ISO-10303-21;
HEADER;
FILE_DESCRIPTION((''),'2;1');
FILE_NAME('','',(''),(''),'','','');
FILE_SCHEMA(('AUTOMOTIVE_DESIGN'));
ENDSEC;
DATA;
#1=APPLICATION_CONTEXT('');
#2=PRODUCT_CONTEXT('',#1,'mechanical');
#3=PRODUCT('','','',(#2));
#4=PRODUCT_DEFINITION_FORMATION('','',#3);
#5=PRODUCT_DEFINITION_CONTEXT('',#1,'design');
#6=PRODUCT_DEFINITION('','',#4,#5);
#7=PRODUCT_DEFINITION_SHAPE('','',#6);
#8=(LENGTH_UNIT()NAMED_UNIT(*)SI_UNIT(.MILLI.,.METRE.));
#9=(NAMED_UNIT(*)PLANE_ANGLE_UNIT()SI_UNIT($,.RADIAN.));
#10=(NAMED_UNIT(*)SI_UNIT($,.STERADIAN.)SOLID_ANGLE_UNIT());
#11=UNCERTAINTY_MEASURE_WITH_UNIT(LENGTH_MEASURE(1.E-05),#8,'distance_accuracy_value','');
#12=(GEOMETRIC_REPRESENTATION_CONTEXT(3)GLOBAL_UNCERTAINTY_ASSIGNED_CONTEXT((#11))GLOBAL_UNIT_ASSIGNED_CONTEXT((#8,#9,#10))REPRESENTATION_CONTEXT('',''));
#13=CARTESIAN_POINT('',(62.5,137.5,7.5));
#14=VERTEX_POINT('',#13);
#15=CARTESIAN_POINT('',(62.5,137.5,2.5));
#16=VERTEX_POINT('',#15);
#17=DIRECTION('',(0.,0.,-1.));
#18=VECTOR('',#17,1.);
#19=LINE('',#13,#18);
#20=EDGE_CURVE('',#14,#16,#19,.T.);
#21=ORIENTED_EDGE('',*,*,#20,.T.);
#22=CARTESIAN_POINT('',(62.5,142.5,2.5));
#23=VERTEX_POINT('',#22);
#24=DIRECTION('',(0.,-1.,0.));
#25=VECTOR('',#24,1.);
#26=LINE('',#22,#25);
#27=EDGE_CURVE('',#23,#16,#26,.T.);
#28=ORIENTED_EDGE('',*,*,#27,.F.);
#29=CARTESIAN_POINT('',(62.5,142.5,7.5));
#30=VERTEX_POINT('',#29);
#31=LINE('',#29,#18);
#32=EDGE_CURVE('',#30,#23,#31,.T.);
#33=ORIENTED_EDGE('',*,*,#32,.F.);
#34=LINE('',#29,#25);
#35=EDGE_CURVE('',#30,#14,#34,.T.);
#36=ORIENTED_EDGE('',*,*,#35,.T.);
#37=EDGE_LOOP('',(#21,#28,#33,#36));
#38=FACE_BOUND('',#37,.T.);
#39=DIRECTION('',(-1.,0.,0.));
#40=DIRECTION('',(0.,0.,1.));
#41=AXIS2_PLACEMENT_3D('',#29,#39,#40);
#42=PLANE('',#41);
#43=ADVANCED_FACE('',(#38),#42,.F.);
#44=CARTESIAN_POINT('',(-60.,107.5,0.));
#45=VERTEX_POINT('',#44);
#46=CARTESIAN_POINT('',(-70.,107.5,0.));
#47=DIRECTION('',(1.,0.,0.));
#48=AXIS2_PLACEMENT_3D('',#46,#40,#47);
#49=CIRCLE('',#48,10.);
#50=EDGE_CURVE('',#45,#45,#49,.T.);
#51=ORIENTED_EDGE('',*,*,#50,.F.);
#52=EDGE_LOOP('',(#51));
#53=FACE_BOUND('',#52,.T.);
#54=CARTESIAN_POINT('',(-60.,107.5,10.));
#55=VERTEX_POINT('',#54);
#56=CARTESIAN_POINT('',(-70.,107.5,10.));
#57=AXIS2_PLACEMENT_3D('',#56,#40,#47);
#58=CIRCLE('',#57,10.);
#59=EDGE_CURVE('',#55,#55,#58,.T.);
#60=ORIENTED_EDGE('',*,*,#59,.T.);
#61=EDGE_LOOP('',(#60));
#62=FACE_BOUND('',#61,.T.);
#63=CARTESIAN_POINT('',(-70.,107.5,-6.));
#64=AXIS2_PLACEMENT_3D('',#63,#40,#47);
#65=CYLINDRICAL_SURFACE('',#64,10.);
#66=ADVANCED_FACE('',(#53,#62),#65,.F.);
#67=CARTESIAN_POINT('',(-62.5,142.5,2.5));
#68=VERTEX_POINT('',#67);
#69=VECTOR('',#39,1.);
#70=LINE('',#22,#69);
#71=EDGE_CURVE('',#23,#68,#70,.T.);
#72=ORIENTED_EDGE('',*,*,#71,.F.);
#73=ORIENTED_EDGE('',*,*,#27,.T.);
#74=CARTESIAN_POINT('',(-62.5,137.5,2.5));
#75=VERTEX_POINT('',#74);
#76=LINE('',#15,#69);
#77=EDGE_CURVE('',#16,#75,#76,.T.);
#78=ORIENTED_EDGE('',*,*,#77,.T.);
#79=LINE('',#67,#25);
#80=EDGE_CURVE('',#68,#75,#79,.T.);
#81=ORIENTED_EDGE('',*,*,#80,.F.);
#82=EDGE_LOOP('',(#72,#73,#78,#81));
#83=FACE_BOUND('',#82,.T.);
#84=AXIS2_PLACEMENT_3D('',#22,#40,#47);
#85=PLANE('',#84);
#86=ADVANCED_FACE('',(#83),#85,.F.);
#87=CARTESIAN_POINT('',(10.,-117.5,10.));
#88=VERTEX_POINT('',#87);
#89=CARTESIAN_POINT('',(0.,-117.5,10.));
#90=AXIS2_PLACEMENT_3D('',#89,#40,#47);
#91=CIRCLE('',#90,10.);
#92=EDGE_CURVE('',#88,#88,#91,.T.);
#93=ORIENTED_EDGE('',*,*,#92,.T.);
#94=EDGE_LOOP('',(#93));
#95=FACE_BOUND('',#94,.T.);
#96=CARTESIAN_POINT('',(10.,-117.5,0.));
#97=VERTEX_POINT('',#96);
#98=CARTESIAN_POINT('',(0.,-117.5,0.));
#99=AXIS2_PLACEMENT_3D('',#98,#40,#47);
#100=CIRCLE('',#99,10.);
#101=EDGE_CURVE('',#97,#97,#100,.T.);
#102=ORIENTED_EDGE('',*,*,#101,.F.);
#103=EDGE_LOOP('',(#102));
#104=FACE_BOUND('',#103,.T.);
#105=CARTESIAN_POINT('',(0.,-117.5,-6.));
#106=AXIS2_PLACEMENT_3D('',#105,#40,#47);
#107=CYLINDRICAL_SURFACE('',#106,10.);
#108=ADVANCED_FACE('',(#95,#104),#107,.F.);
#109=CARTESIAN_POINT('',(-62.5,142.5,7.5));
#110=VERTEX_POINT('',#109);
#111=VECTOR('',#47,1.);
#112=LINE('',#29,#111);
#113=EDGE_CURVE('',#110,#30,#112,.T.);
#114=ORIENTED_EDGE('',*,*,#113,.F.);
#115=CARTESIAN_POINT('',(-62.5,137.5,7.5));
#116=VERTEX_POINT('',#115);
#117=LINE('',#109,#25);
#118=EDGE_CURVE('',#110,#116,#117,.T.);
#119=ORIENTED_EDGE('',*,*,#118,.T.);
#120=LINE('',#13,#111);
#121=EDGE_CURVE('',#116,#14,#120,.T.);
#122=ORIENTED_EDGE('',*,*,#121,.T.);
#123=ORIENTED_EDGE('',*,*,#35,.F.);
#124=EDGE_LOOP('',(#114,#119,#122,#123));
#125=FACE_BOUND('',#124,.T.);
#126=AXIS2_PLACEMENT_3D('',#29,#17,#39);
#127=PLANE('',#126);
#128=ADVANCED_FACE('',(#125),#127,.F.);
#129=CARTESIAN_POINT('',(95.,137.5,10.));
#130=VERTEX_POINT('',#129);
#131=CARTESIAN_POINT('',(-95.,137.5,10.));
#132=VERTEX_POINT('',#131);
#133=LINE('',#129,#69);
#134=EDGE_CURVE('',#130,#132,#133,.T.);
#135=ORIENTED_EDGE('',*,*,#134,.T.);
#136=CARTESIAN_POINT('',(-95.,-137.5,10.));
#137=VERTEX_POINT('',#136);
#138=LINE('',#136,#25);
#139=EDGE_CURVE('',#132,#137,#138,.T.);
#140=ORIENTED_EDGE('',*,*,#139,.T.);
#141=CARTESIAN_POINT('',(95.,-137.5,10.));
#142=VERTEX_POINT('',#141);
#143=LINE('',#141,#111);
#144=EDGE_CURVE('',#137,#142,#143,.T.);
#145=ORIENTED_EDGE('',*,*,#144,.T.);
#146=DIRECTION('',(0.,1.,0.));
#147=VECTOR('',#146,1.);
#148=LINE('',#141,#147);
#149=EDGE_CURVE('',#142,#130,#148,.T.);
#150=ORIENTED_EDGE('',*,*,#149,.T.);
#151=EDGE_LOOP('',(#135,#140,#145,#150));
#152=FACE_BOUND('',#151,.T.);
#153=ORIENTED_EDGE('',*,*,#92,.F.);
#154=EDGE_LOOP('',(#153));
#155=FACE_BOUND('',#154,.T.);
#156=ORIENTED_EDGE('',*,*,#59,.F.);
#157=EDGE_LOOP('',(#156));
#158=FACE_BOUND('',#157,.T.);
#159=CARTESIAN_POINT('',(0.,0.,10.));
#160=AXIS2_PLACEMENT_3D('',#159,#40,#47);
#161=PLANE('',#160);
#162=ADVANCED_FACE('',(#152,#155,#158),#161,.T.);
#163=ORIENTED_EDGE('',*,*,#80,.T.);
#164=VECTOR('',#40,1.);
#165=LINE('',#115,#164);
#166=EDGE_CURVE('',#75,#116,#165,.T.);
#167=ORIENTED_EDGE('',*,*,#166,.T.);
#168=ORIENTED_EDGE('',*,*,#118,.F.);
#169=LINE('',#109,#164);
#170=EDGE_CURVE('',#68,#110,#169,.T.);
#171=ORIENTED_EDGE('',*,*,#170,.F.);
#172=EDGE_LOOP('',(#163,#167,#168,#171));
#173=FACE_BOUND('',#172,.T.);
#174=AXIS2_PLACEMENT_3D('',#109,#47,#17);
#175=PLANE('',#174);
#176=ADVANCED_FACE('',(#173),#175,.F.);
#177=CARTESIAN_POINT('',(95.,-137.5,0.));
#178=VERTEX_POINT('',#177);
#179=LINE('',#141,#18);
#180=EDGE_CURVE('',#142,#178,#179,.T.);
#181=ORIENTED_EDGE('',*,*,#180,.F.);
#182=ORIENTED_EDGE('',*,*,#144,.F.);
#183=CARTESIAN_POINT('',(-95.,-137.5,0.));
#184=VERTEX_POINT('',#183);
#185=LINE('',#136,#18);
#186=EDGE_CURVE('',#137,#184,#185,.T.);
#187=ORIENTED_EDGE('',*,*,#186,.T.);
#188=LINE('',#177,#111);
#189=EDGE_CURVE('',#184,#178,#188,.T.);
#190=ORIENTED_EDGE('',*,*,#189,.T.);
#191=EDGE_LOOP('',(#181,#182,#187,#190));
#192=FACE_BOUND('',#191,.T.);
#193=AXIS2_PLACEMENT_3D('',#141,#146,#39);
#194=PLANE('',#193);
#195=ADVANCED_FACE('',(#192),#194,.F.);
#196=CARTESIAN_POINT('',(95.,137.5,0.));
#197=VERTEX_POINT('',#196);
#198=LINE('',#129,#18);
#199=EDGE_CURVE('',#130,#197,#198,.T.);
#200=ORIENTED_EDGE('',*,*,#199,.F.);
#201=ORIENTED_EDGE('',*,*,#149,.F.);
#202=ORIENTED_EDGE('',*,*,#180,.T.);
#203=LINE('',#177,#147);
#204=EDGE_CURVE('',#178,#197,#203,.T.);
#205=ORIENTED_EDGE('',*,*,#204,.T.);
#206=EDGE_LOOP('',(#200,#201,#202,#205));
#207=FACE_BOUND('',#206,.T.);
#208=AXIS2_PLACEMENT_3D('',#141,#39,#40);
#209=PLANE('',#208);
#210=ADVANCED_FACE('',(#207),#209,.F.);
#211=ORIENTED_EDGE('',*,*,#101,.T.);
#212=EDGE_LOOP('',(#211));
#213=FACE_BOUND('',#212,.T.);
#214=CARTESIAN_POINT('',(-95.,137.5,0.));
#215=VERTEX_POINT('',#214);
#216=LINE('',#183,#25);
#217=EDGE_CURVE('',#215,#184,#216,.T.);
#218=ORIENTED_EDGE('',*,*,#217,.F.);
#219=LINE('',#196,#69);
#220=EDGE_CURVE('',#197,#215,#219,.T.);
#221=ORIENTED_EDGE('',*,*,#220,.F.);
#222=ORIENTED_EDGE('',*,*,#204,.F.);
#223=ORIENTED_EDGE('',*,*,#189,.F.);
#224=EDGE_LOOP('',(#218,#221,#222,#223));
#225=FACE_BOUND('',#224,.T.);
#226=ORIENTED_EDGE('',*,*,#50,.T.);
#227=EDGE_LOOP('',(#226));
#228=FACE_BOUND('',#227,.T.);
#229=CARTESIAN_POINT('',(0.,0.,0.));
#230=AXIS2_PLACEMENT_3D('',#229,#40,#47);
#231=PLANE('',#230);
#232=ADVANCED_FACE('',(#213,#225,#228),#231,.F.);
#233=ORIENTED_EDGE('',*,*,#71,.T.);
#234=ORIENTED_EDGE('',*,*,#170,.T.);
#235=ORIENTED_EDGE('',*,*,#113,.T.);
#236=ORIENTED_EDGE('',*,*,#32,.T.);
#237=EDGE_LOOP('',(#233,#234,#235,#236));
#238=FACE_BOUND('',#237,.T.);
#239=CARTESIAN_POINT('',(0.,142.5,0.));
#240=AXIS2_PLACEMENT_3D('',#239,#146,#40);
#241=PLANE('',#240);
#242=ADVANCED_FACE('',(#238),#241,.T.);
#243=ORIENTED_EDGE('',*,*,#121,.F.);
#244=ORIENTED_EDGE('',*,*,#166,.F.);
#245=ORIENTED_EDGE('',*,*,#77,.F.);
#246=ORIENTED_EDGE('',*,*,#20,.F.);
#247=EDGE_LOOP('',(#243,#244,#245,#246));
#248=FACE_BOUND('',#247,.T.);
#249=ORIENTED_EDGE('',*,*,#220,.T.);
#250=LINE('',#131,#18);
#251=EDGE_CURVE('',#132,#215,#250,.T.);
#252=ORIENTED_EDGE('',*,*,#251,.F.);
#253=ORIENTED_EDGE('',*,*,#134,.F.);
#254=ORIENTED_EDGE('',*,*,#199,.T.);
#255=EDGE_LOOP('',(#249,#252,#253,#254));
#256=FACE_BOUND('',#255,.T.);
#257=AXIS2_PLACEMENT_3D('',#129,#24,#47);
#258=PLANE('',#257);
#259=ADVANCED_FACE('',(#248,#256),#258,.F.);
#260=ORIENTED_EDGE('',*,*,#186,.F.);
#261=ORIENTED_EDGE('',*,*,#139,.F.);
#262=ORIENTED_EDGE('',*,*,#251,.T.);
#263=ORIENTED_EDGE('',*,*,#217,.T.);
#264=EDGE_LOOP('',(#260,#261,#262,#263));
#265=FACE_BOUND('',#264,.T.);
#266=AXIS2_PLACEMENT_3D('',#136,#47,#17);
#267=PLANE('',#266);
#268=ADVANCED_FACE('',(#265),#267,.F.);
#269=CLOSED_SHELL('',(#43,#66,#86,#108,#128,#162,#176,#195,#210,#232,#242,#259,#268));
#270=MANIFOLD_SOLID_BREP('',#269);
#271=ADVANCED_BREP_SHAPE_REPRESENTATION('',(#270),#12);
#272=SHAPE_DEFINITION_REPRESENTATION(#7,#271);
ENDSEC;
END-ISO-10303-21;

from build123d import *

# Parameters (mm, degrees)
SKETCH1_W           = 190
SKETCH1_H           = 275
BOSS_EXTRUDE1_DEPTH = 10
SKETCH2_W           = 125
SKETCH2_H           = 5
BOSS_EXTRUDE2_DEPTH = 5
SKETCH3_R           = 10
CUT_EXTRUDE1_DEPTH  = 16


with BuildPart() as part:
    # Sketch1 → Boss-Extrude1 (new body)
    with BuildSketch(Plane.XY):
        Rectangle(SKETCH1_W, SKETCH1_H)
    extrude(amount=BOSS_EXTRUDE1_DEPTH)

    # Sketch2 → Boss-Extrude2 (add)
    with BuildSketch(Plane(origin=(0, 137.5, 0), x_dir=(1, 0, 0), z_dir=(0, 1, 0))):
        with Locations((0, -5)):
            Rectangle(SKETCH2_W, SKETCH2_H)
    extrude(amount=BOSS_EXTRUDE2_DEPTH)

    # Sketch3 → Cut-Extrude1 (cut)
    with BuildSketch(Plane.XY.offset(10)):
        with Locations((0, -117.5)):
            Circle(SKETCH3_R)
        with Locations((-70, 107.5)):
            Circle(SKETCH3_R)
    extrude(amount=-CUT_EXTRUDE1_DEPTH, mode=Mode.SUBTRACT)


solid = part.part
